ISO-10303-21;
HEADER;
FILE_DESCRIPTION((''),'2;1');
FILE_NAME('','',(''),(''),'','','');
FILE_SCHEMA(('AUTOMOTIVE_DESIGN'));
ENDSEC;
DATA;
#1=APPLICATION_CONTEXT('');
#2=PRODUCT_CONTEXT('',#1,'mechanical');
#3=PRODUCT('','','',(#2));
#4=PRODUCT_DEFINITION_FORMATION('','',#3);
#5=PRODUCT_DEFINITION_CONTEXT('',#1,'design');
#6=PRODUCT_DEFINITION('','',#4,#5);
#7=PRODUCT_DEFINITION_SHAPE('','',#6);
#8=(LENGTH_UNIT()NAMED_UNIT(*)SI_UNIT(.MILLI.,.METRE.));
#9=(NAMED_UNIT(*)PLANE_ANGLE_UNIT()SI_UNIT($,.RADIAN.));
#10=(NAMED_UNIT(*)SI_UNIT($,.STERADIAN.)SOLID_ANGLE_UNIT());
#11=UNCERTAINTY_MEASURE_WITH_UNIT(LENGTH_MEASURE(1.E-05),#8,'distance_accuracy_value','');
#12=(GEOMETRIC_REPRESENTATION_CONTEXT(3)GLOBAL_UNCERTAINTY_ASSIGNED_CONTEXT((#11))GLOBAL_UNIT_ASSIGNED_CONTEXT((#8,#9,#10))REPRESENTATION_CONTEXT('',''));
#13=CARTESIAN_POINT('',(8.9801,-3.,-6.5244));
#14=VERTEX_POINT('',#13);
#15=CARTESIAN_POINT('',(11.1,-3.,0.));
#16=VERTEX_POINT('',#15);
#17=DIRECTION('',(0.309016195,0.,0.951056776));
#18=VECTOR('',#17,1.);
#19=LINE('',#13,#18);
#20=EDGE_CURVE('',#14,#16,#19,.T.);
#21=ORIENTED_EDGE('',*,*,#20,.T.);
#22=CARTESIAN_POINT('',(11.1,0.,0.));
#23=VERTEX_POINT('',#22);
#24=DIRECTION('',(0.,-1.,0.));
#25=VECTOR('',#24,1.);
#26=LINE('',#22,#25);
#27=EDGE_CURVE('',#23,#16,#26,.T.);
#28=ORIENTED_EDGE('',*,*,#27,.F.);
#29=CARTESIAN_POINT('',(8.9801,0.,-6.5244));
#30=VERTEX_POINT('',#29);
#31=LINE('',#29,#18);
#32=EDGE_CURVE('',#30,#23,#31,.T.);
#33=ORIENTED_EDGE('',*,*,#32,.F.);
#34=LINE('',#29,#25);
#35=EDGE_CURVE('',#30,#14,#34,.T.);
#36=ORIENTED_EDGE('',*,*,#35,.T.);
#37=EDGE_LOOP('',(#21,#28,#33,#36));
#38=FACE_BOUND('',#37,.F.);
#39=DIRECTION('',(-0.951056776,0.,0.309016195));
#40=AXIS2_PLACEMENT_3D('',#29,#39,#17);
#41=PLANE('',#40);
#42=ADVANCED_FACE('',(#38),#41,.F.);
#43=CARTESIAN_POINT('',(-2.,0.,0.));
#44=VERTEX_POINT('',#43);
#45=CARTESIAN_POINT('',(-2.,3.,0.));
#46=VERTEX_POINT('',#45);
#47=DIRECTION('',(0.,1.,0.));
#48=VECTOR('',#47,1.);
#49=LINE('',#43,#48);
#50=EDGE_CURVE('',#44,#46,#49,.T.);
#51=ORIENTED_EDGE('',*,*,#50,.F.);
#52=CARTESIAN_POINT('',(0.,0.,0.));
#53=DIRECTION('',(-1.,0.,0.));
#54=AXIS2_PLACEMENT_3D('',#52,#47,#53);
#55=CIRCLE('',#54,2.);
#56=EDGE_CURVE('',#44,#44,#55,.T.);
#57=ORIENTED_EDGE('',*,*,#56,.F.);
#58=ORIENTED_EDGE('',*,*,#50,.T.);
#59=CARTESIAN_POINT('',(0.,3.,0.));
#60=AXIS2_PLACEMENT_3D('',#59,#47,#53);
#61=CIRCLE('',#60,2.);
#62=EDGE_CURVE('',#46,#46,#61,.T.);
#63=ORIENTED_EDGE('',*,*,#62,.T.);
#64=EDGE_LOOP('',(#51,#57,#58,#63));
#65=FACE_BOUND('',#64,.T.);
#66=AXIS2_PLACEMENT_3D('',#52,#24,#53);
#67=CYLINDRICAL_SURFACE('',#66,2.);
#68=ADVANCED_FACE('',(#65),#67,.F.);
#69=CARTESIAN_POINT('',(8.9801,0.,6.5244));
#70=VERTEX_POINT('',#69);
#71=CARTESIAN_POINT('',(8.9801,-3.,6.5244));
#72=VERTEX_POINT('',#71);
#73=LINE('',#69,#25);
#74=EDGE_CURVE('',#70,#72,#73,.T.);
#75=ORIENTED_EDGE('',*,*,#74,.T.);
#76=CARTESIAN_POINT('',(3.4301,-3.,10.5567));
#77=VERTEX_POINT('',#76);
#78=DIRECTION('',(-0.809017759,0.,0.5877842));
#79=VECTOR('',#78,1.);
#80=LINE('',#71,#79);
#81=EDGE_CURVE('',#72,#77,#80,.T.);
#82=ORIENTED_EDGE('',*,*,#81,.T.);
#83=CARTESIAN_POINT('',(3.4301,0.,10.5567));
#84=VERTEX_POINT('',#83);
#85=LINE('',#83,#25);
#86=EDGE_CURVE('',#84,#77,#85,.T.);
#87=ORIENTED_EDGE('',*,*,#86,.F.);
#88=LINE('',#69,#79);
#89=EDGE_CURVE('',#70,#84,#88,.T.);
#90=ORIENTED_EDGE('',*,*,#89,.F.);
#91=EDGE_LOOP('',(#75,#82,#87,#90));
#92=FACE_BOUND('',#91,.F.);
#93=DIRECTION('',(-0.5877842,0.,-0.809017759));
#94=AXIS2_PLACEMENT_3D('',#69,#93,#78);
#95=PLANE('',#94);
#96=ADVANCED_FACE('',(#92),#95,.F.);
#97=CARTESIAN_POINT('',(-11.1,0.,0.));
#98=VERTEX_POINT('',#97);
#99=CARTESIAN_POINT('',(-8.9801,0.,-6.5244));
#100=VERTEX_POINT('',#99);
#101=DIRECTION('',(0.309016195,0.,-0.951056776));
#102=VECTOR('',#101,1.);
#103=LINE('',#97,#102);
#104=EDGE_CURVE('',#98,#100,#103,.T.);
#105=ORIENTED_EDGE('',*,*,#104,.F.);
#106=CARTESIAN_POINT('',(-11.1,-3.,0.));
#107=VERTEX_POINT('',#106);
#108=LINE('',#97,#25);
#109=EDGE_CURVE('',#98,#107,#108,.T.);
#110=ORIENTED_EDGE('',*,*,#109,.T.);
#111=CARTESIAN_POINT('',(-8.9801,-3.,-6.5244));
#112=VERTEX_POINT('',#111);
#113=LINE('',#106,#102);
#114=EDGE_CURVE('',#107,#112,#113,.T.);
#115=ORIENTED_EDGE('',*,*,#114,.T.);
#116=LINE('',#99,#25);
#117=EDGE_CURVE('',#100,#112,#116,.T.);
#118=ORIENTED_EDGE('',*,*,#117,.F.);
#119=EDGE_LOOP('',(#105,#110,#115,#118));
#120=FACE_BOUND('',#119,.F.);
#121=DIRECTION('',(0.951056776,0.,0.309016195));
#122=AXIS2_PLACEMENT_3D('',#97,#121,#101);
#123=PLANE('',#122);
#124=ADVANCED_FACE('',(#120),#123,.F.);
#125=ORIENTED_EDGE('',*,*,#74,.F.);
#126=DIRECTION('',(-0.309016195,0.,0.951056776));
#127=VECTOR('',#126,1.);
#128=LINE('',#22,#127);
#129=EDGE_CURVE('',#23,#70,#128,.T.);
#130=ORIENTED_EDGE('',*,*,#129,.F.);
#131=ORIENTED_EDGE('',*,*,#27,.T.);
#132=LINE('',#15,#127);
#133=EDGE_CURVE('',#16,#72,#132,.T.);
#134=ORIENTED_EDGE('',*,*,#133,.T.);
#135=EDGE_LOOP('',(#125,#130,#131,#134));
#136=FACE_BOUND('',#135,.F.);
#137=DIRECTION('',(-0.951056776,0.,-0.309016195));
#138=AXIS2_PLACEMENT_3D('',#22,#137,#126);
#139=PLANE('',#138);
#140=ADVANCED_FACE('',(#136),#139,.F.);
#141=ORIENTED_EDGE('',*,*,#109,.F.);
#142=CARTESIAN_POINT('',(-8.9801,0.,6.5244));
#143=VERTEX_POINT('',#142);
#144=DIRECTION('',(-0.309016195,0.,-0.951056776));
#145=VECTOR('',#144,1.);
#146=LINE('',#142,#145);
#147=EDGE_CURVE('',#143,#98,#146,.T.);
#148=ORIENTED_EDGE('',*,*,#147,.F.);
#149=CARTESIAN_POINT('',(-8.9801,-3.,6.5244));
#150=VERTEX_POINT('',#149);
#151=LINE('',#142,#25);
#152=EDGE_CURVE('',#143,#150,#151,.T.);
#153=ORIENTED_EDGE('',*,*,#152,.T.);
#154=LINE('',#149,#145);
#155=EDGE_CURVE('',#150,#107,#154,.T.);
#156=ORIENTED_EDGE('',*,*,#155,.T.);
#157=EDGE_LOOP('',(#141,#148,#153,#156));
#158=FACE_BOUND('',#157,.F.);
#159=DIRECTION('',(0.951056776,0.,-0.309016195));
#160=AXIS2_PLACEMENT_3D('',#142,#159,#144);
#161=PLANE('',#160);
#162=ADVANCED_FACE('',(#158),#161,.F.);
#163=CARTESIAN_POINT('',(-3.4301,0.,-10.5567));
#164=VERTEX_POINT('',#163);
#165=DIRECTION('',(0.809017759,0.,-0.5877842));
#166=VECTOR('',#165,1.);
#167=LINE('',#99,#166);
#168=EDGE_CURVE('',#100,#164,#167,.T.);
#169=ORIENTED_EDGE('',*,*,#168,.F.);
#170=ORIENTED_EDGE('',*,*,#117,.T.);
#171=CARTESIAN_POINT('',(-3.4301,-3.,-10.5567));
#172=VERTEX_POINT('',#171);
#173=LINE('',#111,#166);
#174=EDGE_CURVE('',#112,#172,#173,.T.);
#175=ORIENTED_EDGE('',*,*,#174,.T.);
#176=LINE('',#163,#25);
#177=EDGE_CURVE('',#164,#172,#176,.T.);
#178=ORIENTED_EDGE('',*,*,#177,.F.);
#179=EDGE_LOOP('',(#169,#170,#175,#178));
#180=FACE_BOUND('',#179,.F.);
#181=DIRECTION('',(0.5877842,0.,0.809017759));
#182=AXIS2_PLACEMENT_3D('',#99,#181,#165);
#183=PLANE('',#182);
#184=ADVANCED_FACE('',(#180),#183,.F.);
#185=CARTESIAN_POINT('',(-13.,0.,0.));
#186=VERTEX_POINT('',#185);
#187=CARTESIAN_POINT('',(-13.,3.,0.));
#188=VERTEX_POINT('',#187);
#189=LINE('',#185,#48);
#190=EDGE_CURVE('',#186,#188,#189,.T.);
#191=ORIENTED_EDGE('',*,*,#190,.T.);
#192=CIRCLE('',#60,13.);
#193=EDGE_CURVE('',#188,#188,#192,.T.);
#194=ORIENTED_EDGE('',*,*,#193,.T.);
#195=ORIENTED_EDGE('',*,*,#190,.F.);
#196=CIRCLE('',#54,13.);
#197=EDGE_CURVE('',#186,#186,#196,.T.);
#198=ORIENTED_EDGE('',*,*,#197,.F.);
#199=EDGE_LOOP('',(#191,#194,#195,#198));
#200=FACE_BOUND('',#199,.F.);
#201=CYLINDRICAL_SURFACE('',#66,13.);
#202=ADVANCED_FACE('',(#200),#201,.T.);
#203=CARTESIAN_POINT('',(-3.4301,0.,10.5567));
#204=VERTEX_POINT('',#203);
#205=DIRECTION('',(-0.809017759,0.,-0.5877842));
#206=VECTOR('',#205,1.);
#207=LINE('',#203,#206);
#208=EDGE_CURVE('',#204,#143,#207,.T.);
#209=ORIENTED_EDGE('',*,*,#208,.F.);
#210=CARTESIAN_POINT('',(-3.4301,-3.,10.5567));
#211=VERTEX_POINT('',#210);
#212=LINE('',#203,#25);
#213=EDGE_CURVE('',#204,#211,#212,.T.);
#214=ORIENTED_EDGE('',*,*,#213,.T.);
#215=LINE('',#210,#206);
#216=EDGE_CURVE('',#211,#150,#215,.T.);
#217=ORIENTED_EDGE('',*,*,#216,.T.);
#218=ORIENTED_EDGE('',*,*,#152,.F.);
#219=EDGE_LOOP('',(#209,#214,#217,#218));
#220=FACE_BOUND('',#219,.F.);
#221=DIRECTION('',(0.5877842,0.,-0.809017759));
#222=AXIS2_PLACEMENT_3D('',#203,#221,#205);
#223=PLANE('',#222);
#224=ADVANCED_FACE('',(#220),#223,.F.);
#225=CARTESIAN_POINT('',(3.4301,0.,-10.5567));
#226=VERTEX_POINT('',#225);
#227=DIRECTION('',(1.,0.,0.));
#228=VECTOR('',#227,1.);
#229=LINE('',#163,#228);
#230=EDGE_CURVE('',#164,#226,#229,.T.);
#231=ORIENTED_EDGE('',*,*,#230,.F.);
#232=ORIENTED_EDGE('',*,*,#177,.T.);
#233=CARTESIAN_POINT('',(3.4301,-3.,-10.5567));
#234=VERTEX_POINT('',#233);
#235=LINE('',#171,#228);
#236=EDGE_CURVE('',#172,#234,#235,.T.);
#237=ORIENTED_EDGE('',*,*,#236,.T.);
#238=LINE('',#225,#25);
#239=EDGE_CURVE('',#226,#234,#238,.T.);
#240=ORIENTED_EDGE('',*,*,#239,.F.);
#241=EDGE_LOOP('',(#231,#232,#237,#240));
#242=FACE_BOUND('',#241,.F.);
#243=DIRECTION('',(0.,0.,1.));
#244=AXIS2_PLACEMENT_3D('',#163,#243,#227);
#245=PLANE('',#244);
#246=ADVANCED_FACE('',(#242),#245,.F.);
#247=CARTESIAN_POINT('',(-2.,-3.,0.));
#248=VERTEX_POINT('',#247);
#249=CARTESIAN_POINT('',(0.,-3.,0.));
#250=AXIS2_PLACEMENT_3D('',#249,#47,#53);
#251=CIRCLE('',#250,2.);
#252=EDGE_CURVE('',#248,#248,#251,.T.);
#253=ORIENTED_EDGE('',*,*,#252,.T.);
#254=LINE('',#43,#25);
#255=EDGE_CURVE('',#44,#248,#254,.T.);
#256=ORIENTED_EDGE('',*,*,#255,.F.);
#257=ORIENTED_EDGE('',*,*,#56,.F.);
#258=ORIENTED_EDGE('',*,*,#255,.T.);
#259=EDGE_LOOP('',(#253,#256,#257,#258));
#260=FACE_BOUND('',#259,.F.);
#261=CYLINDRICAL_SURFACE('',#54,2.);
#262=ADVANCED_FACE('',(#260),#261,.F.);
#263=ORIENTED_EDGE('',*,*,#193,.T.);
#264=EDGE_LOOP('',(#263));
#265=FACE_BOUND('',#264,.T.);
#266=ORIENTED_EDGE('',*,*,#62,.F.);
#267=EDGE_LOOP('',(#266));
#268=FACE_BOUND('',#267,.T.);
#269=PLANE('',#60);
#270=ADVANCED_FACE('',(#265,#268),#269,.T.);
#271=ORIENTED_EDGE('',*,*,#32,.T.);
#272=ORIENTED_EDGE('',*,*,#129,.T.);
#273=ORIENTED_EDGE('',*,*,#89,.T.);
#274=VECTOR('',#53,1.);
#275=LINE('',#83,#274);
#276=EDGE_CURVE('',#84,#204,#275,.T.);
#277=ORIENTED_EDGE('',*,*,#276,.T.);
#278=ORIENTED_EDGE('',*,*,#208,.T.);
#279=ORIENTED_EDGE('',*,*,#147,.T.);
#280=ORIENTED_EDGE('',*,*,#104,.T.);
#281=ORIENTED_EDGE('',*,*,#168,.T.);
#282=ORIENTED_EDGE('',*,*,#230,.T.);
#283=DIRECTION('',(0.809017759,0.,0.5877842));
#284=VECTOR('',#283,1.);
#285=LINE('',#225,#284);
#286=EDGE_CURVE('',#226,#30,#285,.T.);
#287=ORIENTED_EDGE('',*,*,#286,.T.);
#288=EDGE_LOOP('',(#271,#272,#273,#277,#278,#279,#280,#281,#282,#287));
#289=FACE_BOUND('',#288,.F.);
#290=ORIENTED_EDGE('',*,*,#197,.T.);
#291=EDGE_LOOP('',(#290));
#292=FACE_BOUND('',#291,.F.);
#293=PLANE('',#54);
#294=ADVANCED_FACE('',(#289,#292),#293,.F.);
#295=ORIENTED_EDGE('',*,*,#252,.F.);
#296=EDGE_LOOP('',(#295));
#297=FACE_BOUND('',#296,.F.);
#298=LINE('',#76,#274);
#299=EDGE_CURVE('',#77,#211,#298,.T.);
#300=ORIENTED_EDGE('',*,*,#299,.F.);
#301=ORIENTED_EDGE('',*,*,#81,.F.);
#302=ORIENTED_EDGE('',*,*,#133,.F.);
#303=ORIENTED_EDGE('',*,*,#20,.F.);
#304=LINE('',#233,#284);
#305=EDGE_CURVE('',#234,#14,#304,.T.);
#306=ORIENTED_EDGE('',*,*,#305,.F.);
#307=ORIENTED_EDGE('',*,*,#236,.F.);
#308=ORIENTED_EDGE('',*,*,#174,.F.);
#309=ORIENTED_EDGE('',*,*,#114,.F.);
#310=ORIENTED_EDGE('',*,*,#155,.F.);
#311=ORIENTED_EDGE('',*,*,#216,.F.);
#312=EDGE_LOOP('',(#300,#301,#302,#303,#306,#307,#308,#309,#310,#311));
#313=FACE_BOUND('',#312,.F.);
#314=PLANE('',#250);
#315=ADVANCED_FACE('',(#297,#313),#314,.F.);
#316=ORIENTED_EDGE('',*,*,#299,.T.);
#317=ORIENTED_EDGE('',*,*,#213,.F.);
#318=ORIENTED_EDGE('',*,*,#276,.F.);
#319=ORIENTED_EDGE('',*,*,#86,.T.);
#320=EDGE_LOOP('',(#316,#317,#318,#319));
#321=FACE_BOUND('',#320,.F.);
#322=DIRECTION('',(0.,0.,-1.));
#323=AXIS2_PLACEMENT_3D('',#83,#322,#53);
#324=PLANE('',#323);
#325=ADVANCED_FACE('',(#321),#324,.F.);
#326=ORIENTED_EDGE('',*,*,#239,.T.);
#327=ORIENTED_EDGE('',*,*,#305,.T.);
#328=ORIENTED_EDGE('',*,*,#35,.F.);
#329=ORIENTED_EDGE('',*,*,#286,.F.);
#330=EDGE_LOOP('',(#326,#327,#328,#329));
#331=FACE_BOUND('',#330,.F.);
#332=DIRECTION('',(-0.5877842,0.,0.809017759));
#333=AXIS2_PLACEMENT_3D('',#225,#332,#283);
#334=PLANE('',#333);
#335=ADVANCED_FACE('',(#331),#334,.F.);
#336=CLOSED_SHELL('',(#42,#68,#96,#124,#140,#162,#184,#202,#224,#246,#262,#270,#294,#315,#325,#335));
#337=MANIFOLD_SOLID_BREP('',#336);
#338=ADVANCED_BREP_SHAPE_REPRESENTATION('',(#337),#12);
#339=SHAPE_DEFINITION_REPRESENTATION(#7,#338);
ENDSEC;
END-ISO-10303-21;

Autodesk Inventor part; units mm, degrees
ref_plane "YZ Plane" through (0, 0, 0) normal (1, 0, 0) x (0, 1, 0)
ref_plane "XZ Plane" through (0, 0, 0) normal (0, 1, 0) x (-1, 0, 0)
ref_plane "XY Plane" through (0, 0, 0) normal (0, 0, 1) x (1, 0, 0)
sketch "Sketch1" plane through (0, 0, 0) normal (0, 1, 0) x (-1, 0, 0)
  circle A0 centre (0, 0) radius 13
  line L0 (-11.1, 0) -> (-8.9801, 6.5244)
  line L1 (-8.9801, 6.5244) -> (-3.4301, 10.5567)
  line L2 (-3.4301, 10.5567) -> (3.4301, 10.5567)
  line L3 (3.4301, 10.5567) -> (8.9801, 6.5244)
  line L4 (8.9801, 6.5244) -> (11.1, 0)
  line L5 (11.1, 0) -> (8.9801, -6.5244)
  line L6 (8.9801, -6.5244) -> (3.4301, -10.5567)
  line L7 (3.4301, -10.5567) -> (-3.4301, -10.5567)
  line L8 (-3.4301, -10.5567) -> (-8.9801, -6.5244)
  line L9 (-8.9801, -6.5244) -> (-11.1, 0)
  circle A1 centre (0, 0) radius 2
  dimension "d0" = 26
  dimension "d4" = 4
extrude "Extrusion2" add sketch "Sketch1" against normal blind 3 contours L0 L1 L2 L3 L4 L5 L6 L7 L8 L9
extrude "Extrusion3" add sketch "Sketch1" along normal blind 3 contours A0 | L0 L1 L2 L3 L4 L5 L6 L7 L8 L9
properties part number "Probe P3"
